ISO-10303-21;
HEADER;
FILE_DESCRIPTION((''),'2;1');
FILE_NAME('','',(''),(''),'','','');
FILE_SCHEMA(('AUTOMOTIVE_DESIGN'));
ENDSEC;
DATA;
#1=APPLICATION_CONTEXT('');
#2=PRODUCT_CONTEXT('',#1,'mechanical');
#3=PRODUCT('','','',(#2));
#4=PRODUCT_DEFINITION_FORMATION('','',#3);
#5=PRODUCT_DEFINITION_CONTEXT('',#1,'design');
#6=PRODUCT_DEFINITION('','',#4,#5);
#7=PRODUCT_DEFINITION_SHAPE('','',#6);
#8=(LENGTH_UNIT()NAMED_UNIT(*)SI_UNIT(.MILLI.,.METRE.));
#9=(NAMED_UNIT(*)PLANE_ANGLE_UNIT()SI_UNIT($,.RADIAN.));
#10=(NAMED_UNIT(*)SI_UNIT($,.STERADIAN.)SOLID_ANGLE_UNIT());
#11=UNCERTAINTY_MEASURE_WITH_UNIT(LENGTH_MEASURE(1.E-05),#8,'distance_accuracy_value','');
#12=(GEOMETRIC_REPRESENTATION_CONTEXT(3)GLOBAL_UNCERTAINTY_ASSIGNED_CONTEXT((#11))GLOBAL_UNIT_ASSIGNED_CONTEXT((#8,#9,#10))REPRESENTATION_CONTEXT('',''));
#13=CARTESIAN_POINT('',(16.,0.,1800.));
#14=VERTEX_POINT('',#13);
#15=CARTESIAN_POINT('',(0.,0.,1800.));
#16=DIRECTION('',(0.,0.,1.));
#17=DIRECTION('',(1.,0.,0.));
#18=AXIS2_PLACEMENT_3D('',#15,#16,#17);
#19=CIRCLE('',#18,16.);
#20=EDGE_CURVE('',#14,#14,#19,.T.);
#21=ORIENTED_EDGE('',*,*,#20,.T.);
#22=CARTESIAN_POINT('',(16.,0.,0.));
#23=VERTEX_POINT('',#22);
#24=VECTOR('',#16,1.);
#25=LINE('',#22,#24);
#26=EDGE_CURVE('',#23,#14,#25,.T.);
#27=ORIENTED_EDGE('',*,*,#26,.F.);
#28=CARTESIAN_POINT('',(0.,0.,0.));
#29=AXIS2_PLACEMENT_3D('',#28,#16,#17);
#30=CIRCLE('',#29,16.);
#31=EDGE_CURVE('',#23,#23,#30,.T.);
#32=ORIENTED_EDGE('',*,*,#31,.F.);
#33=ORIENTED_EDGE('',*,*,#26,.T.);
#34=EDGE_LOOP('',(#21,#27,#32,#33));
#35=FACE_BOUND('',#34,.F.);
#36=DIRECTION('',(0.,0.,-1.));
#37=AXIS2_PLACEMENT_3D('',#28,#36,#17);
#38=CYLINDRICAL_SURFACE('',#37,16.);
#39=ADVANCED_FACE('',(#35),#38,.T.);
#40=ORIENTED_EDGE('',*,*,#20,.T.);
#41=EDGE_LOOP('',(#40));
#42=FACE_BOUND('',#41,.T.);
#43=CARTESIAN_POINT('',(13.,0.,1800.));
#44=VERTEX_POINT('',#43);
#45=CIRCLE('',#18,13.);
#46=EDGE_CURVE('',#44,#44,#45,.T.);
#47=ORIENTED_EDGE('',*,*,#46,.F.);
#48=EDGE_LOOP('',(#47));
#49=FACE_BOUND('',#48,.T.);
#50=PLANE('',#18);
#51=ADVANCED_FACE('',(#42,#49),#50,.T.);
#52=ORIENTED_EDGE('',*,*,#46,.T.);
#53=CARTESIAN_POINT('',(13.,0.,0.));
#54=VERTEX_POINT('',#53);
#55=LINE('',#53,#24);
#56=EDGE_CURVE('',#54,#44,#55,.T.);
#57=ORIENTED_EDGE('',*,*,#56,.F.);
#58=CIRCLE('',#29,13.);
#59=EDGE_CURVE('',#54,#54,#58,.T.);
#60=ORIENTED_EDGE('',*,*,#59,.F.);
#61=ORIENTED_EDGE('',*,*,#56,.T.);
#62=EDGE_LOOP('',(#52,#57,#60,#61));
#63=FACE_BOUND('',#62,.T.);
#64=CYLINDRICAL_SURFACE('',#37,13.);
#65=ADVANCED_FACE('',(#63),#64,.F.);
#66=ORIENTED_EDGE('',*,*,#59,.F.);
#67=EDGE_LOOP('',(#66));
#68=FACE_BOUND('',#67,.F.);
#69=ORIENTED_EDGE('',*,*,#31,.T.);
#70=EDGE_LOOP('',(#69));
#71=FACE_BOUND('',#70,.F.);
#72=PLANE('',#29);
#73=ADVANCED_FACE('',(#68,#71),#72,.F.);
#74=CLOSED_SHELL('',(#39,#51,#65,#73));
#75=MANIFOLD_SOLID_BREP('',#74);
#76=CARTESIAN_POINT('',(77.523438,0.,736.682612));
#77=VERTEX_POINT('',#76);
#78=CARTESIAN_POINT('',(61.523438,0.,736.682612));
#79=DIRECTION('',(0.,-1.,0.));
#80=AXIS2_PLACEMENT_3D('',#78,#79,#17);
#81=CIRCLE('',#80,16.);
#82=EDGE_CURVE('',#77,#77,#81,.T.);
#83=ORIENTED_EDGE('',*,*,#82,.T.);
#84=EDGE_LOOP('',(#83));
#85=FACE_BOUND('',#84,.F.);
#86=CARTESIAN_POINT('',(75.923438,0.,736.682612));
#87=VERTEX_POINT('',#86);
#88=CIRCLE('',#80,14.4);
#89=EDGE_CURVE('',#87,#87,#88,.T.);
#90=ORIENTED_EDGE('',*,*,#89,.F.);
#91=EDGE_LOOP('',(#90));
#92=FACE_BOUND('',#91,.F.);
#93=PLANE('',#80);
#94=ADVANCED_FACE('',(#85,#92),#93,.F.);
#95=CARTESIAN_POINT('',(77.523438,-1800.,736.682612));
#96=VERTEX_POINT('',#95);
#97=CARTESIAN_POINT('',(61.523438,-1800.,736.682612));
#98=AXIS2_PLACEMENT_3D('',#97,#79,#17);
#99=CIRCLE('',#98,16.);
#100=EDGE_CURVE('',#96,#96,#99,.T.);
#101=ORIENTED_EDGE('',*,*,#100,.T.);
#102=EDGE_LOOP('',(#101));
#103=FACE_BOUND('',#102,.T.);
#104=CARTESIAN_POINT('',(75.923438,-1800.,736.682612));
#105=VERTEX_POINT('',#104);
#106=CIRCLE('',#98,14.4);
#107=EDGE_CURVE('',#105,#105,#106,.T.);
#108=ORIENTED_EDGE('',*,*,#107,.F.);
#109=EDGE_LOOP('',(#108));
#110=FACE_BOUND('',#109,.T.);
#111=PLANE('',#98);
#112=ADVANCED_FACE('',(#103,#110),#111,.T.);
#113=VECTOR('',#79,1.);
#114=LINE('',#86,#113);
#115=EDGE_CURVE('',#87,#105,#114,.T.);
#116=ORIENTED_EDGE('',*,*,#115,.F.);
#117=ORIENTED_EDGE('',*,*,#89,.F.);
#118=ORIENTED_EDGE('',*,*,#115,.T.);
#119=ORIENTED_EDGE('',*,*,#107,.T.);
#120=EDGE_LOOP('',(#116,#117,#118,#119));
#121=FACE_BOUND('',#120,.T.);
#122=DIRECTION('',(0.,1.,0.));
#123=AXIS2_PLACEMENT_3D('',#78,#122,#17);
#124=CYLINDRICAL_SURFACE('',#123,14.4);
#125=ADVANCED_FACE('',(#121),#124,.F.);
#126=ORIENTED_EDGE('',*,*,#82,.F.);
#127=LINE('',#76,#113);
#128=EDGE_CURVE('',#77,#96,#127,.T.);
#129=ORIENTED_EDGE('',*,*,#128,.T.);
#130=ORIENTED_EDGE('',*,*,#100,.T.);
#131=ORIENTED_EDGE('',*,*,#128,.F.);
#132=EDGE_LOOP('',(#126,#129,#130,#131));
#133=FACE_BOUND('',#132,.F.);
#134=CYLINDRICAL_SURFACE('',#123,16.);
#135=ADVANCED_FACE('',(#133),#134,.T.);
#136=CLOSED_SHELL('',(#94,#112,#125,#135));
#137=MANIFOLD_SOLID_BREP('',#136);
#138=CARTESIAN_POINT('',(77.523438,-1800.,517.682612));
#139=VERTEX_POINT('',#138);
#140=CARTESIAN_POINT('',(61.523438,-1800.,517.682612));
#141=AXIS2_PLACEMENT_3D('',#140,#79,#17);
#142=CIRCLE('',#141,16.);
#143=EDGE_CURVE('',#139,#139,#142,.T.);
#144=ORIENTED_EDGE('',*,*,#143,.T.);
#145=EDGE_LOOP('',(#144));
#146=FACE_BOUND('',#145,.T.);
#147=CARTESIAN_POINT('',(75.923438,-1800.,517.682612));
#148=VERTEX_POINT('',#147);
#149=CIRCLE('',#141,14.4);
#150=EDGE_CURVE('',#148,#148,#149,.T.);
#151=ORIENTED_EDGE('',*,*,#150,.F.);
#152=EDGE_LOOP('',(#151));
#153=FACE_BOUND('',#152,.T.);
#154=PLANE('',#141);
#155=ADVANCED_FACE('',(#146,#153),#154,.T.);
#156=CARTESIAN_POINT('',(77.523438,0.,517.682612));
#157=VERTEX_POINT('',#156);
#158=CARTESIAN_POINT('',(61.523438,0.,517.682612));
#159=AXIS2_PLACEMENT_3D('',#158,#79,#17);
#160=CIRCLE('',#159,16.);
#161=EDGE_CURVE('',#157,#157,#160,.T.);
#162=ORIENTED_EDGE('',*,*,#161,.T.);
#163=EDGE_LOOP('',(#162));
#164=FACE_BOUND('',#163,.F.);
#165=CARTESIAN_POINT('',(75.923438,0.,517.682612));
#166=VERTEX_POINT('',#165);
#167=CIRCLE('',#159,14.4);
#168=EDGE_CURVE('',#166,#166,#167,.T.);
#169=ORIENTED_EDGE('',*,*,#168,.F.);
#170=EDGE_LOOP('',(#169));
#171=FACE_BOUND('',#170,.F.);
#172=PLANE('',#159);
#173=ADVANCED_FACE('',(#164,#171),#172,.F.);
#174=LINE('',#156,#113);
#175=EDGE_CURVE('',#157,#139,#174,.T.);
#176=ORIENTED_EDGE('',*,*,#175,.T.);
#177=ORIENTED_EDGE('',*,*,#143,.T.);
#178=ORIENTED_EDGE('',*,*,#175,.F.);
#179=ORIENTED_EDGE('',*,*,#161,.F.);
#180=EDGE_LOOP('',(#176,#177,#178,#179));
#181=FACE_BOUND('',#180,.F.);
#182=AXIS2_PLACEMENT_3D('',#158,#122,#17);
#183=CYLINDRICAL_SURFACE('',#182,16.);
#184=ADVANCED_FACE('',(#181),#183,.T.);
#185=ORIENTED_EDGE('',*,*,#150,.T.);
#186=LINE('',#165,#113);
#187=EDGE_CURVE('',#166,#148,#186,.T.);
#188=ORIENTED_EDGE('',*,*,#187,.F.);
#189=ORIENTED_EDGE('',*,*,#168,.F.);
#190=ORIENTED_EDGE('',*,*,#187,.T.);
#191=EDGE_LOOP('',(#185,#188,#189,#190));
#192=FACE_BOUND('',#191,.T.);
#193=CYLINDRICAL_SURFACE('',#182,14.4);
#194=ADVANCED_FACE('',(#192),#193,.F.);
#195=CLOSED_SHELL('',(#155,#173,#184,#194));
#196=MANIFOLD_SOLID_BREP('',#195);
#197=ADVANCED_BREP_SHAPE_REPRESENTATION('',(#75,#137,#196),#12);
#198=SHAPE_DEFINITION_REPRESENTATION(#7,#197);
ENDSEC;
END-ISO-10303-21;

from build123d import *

# Parameters (mm, degrees)
F0_R     = 16
F0_R_2   = 13
F1_DEPTH = 1800
F2_R     = 16
F2_R_2   = 14.4
F3_DEPTH = 1800


with BuildPart() as f1:
    # F0 (on Top) → F1 (new body)
    with BuildSketch(Plane.XY):
        Circle(F0_R)
        Circle(F0_R_2, mode=Mode.SUBTRACT)
    extrude(amount=F1_DEPTH)


with BuildPart() as f3:
    # F2 (on Front) → F3 (new body)
    with BuildSketch(Plane.XZ):
        with Locations((61.523438, 517.682612)):
            Circle(F2_R)
        with Locations((61.523438, 517.682612)):
            Circle(F2_R_2, mode=Mode.SUBTRACT)
        with Locations((61.523438, 736.682612)):
            Circle(F2_R)
        with Locations((61.523438, 736.682612)):
            Circle(F2_R_2, mode=Mode.SUBTRACT)
    extrude(amount=F3_DEPTH)


solid = Compound([f1.part, f3.part])
